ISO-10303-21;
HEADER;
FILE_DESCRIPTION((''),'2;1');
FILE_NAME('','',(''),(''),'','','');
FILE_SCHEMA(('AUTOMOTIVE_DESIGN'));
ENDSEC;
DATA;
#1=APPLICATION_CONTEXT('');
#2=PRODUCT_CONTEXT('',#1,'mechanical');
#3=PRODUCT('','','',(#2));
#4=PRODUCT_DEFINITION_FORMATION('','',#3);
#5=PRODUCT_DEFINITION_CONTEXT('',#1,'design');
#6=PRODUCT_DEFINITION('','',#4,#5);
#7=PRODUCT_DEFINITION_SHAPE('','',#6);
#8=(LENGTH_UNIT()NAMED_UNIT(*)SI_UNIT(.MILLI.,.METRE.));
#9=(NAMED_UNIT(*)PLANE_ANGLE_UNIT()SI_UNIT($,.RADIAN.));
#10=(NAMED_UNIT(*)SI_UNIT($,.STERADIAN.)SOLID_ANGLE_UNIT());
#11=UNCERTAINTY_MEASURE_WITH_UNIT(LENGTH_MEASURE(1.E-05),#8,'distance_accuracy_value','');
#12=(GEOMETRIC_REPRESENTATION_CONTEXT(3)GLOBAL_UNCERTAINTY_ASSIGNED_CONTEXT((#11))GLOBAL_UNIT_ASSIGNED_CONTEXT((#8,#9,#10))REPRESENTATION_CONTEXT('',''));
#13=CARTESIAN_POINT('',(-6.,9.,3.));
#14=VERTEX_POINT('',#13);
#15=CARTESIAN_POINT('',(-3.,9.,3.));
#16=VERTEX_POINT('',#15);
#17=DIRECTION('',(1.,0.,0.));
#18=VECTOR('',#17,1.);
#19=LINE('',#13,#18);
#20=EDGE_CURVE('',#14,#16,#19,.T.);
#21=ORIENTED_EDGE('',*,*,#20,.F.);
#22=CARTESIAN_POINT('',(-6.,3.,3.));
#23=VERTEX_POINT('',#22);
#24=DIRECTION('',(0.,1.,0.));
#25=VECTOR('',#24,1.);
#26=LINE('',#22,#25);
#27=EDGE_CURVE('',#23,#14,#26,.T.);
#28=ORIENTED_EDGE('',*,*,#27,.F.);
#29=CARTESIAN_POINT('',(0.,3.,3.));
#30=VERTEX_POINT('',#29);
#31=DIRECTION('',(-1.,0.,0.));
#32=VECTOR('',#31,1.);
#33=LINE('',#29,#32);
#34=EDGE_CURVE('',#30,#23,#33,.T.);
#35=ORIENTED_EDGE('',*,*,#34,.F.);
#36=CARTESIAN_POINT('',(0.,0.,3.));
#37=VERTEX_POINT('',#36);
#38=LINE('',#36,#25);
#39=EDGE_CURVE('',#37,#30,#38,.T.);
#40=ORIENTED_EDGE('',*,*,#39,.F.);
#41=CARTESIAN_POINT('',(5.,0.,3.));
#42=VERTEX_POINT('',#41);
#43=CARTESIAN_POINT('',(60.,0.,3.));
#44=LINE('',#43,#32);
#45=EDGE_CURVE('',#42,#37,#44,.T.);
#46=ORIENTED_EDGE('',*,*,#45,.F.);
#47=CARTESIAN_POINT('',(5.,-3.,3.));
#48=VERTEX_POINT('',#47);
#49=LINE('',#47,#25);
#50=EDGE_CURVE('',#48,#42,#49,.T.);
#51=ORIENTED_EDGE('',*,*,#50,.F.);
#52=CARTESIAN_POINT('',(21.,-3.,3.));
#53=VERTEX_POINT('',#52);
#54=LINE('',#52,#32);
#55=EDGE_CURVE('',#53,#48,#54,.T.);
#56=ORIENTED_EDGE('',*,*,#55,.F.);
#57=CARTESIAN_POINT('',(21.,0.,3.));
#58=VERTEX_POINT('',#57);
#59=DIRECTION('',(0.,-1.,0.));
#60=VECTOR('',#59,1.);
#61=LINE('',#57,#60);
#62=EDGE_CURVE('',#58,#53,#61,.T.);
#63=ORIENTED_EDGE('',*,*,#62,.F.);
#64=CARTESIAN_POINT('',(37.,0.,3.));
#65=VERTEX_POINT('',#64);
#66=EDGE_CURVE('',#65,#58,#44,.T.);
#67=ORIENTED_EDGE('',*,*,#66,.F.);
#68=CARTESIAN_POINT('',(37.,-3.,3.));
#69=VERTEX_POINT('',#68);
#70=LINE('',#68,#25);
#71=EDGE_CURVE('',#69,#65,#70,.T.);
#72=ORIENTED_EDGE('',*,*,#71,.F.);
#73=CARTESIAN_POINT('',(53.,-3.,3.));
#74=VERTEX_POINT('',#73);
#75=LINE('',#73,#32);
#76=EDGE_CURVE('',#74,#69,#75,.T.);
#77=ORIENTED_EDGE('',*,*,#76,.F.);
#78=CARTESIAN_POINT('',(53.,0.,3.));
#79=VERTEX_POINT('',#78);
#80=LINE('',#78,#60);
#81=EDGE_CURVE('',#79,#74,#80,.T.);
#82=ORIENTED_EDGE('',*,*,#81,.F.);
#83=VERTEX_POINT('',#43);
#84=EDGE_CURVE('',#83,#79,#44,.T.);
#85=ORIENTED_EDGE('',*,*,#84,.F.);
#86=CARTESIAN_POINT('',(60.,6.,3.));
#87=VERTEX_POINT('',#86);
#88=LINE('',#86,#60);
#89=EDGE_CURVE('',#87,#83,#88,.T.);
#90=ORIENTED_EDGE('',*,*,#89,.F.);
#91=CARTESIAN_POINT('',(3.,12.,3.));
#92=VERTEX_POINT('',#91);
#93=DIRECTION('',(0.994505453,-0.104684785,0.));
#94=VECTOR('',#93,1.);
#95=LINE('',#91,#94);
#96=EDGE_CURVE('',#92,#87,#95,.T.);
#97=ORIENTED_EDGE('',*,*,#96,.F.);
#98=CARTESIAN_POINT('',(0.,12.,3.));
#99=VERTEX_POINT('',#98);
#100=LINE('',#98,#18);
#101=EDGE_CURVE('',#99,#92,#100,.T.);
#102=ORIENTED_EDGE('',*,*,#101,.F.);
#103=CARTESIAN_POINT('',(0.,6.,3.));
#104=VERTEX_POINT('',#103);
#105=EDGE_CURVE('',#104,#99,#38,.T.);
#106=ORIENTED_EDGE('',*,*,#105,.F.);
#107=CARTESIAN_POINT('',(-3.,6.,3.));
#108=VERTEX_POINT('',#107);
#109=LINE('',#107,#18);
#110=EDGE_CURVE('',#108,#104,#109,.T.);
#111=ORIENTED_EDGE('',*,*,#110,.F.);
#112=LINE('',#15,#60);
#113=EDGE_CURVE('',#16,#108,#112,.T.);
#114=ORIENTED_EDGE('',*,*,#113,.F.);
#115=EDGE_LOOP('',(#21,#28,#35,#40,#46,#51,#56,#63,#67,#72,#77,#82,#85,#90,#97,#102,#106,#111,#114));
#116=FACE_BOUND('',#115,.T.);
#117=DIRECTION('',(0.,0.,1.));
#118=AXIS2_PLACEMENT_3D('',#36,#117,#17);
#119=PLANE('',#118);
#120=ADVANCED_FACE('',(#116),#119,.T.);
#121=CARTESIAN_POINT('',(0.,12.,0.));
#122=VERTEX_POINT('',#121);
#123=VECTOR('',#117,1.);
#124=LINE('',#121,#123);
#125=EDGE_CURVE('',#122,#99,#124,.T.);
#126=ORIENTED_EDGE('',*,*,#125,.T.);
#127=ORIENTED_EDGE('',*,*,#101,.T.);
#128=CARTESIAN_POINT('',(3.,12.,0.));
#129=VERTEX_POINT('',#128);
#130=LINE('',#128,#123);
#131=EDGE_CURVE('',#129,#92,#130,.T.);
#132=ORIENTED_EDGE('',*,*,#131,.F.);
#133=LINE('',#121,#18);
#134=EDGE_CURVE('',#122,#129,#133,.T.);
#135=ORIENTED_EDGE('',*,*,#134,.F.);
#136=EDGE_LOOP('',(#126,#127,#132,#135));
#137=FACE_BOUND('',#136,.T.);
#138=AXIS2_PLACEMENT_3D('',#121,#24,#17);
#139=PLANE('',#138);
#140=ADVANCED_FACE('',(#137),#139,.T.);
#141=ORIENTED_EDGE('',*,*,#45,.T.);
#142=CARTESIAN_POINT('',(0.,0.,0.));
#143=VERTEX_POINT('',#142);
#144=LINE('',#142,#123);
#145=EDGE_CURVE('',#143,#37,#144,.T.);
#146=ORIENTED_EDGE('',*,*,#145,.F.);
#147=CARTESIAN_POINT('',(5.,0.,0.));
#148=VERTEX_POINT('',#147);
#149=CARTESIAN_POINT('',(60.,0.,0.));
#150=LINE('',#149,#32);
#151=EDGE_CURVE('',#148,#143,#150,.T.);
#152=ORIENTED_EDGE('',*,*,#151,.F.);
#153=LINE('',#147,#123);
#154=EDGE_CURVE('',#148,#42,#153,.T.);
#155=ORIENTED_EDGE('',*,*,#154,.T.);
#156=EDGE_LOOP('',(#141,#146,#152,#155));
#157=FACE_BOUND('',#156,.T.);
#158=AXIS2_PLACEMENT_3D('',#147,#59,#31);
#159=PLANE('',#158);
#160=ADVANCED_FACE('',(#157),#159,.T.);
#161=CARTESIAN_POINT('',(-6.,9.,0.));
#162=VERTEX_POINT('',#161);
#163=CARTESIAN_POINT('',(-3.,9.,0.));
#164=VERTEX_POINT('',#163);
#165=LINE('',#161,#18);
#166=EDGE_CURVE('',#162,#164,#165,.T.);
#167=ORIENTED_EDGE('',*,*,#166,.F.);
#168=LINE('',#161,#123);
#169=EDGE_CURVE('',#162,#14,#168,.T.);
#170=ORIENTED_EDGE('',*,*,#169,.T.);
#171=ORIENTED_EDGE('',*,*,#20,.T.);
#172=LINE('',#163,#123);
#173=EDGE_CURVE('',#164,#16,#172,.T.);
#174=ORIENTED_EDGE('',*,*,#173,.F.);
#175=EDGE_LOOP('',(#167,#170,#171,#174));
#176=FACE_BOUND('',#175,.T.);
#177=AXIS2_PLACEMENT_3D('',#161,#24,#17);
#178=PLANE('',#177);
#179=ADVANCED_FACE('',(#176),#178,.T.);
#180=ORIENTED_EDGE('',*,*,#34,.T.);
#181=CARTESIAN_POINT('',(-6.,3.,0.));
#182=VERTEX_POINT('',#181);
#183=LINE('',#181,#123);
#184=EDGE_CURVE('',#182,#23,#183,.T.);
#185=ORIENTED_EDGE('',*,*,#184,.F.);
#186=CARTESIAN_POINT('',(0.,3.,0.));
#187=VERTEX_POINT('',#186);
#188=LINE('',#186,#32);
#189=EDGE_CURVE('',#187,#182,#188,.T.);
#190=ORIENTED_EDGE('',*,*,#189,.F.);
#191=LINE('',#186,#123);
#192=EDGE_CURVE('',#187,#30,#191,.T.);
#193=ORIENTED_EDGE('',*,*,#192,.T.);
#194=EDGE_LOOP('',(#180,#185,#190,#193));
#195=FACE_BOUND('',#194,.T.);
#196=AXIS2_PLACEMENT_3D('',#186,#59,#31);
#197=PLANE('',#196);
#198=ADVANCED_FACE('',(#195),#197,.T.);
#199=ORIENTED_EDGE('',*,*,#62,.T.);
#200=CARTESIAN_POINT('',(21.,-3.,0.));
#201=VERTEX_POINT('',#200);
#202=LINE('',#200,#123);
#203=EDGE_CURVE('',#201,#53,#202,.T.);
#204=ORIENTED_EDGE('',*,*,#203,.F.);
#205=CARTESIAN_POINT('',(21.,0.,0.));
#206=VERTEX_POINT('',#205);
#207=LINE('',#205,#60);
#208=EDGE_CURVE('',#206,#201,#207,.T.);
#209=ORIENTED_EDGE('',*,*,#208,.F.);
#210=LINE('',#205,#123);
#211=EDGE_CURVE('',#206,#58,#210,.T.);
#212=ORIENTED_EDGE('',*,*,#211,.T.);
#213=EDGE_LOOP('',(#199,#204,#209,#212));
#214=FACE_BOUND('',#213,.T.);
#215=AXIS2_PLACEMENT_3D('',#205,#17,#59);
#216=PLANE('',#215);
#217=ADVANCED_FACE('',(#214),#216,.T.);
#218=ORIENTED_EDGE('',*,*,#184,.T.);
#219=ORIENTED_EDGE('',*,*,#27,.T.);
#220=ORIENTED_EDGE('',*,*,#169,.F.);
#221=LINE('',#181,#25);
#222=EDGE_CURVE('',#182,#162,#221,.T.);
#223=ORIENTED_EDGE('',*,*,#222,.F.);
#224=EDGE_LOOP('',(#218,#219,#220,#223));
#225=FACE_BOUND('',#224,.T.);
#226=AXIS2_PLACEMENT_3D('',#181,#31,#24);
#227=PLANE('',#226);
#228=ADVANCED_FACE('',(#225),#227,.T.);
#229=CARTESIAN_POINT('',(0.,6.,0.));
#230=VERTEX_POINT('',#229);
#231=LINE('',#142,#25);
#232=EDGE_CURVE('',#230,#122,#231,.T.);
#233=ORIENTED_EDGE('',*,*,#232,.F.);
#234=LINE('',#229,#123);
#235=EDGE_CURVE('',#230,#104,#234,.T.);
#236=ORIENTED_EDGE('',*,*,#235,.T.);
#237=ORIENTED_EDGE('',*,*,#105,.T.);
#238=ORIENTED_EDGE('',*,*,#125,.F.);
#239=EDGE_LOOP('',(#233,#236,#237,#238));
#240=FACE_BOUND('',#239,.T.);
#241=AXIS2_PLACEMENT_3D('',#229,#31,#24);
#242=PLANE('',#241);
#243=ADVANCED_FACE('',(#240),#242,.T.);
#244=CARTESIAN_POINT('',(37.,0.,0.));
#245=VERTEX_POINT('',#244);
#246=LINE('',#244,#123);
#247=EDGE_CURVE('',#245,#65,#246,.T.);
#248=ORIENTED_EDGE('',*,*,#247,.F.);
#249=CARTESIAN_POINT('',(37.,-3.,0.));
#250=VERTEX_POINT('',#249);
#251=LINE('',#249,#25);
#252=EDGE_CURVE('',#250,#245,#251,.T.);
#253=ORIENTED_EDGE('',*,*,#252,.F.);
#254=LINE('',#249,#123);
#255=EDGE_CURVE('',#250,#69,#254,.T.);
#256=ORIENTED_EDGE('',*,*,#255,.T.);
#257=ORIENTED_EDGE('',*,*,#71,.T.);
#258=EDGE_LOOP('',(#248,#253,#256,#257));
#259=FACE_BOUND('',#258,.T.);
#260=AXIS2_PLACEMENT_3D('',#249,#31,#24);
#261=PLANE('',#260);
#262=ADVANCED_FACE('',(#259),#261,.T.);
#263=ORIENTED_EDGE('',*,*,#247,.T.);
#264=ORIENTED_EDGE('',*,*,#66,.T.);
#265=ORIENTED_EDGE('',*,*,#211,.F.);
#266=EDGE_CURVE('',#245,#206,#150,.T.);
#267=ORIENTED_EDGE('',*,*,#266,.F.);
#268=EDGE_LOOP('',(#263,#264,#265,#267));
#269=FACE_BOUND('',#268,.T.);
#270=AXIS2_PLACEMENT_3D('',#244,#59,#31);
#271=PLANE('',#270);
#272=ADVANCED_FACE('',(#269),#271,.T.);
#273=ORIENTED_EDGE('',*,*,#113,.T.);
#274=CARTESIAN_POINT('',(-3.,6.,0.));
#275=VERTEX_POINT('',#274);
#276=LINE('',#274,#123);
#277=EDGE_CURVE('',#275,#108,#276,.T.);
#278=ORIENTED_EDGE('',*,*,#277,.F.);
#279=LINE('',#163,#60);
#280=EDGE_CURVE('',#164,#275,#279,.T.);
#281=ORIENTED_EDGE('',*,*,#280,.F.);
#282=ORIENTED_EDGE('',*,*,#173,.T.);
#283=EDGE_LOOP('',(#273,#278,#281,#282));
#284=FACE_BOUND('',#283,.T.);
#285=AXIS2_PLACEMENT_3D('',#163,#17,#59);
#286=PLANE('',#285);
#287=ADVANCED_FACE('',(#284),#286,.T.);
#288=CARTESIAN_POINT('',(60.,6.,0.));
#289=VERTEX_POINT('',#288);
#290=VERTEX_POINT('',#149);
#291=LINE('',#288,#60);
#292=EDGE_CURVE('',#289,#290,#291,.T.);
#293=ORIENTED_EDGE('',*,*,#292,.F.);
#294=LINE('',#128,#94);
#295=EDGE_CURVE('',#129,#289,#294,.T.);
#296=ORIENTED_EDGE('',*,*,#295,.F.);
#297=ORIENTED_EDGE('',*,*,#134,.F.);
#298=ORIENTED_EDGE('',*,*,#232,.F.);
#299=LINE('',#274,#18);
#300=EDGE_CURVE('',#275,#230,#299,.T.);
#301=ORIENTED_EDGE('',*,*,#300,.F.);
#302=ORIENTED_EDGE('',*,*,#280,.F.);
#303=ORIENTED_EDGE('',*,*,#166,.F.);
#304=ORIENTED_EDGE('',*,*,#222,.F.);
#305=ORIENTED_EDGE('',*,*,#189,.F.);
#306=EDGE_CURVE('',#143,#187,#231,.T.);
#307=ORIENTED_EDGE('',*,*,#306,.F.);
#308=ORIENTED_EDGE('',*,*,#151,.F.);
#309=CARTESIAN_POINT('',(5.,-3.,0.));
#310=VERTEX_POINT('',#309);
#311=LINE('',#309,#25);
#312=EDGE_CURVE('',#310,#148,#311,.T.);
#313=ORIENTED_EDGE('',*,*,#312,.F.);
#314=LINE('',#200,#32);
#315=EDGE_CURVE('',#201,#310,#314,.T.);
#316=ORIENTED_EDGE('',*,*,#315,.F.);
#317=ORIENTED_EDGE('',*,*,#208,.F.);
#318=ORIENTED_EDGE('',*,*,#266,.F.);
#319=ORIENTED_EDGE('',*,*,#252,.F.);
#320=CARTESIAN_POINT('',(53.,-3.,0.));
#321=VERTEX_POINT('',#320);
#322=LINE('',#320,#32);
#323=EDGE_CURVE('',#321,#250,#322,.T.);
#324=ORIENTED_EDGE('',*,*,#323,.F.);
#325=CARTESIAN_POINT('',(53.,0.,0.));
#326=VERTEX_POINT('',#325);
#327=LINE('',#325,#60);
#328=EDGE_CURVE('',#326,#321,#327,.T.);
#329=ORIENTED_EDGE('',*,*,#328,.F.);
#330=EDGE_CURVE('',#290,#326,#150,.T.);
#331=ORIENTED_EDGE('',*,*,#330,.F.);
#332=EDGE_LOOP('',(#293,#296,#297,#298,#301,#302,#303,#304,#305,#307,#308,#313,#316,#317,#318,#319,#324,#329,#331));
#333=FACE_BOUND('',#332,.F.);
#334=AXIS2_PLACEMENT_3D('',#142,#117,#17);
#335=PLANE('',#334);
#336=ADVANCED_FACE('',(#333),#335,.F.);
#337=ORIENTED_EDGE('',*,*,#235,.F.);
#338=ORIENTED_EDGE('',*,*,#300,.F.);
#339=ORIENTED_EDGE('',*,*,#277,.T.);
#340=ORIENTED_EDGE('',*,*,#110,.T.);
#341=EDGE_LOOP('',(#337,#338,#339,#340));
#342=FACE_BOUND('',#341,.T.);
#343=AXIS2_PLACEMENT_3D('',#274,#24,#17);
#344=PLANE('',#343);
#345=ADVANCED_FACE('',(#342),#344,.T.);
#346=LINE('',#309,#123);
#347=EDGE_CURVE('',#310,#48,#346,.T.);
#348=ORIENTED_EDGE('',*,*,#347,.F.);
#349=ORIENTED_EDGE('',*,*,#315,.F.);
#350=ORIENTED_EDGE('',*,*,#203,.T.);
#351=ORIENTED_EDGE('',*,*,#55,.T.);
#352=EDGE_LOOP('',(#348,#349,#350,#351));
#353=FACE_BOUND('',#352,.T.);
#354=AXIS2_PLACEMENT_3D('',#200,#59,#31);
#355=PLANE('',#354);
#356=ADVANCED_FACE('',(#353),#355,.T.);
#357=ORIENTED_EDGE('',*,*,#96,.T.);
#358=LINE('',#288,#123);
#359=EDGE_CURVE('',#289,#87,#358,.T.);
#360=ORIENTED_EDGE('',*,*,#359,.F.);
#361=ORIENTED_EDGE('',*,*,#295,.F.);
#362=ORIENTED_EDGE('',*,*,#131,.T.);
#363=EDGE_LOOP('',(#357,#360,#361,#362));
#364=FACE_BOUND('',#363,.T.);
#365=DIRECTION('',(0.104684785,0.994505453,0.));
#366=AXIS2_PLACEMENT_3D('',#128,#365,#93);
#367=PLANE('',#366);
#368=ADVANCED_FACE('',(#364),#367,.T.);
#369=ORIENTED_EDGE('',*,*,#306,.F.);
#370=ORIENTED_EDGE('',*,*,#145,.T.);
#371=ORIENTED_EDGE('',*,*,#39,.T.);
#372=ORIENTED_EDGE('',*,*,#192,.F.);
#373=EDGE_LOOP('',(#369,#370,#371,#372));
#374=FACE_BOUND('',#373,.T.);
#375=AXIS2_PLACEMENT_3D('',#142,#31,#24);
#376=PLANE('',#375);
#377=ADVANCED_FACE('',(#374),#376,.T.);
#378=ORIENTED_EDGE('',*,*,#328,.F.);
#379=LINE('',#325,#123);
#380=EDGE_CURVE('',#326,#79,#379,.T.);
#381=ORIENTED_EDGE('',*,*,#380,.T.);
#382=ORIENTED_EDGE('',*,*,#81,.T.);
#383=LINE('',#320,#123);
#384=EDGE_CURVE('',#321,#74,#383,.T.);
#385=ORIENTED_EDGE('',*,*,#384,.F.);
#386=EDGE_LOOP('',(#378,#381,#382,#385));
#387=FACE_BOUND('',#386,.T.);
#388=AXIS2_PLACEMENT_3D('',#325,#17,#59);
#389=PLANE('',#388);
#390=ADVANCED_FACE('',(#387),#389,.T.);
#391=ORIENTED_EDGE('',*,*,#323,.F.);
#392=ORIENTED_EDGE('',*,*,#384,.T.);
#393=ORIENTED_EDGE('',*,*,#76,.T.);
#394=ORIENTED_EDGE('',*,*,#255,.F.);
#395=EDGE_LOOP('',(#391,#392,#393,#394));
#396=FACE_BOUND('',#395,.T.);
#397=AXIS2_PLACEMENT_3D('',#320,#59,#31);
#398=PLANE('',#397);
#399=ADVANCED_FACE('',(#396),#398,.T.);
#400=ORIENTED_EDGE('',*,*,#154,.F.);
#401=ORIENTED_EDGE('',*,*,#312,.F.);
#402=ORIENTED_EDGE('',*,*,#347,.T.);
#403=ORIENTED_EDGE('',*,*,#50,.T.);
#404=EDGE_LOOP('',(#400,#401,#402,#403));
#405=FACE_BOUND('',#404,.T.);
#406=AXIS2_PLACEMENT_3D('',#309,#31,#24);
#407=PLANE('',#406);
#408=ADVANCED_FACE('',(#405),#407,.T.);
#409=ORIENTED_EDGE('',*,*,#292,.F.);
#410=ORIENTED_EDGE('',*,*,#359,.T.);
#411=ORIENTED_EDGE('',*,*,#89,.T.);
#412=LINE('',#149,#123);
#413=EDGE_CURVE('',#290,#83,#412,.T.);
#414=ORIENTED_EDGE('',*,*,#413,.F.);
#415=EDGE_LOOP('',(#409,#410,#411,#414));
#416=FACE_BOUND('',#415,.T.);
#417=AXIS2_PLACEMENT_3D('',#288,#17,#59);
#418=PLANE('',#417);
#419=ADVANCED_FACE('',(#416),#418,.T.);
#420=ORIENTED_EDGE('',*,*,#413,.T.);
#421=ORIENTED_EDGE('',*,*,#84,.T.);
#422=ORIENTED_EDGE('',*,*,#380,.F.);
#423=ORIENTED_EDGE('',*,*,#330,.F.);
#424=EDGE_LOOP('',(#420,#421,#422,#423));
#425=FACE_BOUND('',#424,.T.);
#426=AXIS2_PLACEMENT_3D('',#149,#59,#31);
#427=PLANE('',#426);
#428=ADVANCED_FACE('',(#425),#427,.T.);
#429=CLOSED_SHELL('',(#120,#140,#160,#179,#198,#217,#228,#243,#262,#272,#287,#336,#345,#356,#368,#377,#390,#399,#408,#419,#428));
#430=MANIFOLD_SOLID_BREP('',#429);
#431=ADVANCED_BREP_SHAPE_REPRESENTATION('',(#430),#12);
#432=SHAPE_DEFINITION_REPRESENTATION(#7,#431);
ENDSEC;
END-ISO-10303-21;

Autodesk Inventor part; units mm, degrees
ref_plane "YZ Plane" through (0, 0, 0) normal (1, 0, 0) x (0, 1, 0)
ref_plane "XZ Plane" through (0, 0, 0) normal (0, 1, 0) x (-1, 0, 0)
ref_plane "XY Plane" through (0, 0, 0) normal (0, 0, 1) x (1, 0, 0)
sketch "Sketch1" plane through (0, 0, 0) normal (0, 0, 1) x (1, 0, 0)
  line L0 (0, 0) -> (0, 12)
  line L1 (60, 6) -> (60, 0)
  line L2 (60, 0) -> (0, 0)
  line L3 (0, 3) -> (-6, 3)
  line L4 (-6, 3) -> (-6, 9)
  line L5 (-6, 9) -> (-3, 9)
  line L6 (-3, 9) -> (-3, 6)
  line L7 (-3, 6) -> (0, 6)
  line L8 (5, 0) -> (21, 0)
  line L9 (21, 0) -> (21, -3)
  line L10 (21, -3) -> (5, -3)
  line L11 (5, -3) -> (5, 0)
  line L12 (37, 0) -> (53, 0)
  line L13 (53, 0) -> (53, -3)
  line L14 (53, -3) -> (37, -3)
  line L15 (37, -3) -> (37, 0)
  line L16 (0, 12) -> (3, 12)
  line L17 (3, 12) -> (60, 6)
  dimension "d0" = 3
  dimension "d1" = 3
  dimension "d2" = 3
  dimension "d3" = 3
  dimension "d4" = 3
  dimension "d5" = 3
  dimension "d6" = 16
  dimension "d7" = 5
  dimension "d8" = 16
  dimension "d9" = 7
  dimension "d10" = 3
  dimension "d11" = 6
  dimension "d12" = 3
extrude "Extrusion1" add sketch "Sketch1" along normal blind 3
equation "\"BendRadius\" = Thickness"
equation "\"BendReliefWidth\" = Thickness"
equation "\"BendReliefDepth\" = 0.5 * Thickness"
equation "\"CornerReliefSize\" = 4 * Thickness"
equation "\"MinimumRemnant\" = 2 * Thickness"
equation "\"TransitionRadius\" = BendRadius"
equation "\"JacobiRadiusSize\" = BendRadius"
equation "\"GapSize\" = Thickness"
equation "\"Thickness\" = 0.5"
properties part number "tail fin" material "Hardboard"
